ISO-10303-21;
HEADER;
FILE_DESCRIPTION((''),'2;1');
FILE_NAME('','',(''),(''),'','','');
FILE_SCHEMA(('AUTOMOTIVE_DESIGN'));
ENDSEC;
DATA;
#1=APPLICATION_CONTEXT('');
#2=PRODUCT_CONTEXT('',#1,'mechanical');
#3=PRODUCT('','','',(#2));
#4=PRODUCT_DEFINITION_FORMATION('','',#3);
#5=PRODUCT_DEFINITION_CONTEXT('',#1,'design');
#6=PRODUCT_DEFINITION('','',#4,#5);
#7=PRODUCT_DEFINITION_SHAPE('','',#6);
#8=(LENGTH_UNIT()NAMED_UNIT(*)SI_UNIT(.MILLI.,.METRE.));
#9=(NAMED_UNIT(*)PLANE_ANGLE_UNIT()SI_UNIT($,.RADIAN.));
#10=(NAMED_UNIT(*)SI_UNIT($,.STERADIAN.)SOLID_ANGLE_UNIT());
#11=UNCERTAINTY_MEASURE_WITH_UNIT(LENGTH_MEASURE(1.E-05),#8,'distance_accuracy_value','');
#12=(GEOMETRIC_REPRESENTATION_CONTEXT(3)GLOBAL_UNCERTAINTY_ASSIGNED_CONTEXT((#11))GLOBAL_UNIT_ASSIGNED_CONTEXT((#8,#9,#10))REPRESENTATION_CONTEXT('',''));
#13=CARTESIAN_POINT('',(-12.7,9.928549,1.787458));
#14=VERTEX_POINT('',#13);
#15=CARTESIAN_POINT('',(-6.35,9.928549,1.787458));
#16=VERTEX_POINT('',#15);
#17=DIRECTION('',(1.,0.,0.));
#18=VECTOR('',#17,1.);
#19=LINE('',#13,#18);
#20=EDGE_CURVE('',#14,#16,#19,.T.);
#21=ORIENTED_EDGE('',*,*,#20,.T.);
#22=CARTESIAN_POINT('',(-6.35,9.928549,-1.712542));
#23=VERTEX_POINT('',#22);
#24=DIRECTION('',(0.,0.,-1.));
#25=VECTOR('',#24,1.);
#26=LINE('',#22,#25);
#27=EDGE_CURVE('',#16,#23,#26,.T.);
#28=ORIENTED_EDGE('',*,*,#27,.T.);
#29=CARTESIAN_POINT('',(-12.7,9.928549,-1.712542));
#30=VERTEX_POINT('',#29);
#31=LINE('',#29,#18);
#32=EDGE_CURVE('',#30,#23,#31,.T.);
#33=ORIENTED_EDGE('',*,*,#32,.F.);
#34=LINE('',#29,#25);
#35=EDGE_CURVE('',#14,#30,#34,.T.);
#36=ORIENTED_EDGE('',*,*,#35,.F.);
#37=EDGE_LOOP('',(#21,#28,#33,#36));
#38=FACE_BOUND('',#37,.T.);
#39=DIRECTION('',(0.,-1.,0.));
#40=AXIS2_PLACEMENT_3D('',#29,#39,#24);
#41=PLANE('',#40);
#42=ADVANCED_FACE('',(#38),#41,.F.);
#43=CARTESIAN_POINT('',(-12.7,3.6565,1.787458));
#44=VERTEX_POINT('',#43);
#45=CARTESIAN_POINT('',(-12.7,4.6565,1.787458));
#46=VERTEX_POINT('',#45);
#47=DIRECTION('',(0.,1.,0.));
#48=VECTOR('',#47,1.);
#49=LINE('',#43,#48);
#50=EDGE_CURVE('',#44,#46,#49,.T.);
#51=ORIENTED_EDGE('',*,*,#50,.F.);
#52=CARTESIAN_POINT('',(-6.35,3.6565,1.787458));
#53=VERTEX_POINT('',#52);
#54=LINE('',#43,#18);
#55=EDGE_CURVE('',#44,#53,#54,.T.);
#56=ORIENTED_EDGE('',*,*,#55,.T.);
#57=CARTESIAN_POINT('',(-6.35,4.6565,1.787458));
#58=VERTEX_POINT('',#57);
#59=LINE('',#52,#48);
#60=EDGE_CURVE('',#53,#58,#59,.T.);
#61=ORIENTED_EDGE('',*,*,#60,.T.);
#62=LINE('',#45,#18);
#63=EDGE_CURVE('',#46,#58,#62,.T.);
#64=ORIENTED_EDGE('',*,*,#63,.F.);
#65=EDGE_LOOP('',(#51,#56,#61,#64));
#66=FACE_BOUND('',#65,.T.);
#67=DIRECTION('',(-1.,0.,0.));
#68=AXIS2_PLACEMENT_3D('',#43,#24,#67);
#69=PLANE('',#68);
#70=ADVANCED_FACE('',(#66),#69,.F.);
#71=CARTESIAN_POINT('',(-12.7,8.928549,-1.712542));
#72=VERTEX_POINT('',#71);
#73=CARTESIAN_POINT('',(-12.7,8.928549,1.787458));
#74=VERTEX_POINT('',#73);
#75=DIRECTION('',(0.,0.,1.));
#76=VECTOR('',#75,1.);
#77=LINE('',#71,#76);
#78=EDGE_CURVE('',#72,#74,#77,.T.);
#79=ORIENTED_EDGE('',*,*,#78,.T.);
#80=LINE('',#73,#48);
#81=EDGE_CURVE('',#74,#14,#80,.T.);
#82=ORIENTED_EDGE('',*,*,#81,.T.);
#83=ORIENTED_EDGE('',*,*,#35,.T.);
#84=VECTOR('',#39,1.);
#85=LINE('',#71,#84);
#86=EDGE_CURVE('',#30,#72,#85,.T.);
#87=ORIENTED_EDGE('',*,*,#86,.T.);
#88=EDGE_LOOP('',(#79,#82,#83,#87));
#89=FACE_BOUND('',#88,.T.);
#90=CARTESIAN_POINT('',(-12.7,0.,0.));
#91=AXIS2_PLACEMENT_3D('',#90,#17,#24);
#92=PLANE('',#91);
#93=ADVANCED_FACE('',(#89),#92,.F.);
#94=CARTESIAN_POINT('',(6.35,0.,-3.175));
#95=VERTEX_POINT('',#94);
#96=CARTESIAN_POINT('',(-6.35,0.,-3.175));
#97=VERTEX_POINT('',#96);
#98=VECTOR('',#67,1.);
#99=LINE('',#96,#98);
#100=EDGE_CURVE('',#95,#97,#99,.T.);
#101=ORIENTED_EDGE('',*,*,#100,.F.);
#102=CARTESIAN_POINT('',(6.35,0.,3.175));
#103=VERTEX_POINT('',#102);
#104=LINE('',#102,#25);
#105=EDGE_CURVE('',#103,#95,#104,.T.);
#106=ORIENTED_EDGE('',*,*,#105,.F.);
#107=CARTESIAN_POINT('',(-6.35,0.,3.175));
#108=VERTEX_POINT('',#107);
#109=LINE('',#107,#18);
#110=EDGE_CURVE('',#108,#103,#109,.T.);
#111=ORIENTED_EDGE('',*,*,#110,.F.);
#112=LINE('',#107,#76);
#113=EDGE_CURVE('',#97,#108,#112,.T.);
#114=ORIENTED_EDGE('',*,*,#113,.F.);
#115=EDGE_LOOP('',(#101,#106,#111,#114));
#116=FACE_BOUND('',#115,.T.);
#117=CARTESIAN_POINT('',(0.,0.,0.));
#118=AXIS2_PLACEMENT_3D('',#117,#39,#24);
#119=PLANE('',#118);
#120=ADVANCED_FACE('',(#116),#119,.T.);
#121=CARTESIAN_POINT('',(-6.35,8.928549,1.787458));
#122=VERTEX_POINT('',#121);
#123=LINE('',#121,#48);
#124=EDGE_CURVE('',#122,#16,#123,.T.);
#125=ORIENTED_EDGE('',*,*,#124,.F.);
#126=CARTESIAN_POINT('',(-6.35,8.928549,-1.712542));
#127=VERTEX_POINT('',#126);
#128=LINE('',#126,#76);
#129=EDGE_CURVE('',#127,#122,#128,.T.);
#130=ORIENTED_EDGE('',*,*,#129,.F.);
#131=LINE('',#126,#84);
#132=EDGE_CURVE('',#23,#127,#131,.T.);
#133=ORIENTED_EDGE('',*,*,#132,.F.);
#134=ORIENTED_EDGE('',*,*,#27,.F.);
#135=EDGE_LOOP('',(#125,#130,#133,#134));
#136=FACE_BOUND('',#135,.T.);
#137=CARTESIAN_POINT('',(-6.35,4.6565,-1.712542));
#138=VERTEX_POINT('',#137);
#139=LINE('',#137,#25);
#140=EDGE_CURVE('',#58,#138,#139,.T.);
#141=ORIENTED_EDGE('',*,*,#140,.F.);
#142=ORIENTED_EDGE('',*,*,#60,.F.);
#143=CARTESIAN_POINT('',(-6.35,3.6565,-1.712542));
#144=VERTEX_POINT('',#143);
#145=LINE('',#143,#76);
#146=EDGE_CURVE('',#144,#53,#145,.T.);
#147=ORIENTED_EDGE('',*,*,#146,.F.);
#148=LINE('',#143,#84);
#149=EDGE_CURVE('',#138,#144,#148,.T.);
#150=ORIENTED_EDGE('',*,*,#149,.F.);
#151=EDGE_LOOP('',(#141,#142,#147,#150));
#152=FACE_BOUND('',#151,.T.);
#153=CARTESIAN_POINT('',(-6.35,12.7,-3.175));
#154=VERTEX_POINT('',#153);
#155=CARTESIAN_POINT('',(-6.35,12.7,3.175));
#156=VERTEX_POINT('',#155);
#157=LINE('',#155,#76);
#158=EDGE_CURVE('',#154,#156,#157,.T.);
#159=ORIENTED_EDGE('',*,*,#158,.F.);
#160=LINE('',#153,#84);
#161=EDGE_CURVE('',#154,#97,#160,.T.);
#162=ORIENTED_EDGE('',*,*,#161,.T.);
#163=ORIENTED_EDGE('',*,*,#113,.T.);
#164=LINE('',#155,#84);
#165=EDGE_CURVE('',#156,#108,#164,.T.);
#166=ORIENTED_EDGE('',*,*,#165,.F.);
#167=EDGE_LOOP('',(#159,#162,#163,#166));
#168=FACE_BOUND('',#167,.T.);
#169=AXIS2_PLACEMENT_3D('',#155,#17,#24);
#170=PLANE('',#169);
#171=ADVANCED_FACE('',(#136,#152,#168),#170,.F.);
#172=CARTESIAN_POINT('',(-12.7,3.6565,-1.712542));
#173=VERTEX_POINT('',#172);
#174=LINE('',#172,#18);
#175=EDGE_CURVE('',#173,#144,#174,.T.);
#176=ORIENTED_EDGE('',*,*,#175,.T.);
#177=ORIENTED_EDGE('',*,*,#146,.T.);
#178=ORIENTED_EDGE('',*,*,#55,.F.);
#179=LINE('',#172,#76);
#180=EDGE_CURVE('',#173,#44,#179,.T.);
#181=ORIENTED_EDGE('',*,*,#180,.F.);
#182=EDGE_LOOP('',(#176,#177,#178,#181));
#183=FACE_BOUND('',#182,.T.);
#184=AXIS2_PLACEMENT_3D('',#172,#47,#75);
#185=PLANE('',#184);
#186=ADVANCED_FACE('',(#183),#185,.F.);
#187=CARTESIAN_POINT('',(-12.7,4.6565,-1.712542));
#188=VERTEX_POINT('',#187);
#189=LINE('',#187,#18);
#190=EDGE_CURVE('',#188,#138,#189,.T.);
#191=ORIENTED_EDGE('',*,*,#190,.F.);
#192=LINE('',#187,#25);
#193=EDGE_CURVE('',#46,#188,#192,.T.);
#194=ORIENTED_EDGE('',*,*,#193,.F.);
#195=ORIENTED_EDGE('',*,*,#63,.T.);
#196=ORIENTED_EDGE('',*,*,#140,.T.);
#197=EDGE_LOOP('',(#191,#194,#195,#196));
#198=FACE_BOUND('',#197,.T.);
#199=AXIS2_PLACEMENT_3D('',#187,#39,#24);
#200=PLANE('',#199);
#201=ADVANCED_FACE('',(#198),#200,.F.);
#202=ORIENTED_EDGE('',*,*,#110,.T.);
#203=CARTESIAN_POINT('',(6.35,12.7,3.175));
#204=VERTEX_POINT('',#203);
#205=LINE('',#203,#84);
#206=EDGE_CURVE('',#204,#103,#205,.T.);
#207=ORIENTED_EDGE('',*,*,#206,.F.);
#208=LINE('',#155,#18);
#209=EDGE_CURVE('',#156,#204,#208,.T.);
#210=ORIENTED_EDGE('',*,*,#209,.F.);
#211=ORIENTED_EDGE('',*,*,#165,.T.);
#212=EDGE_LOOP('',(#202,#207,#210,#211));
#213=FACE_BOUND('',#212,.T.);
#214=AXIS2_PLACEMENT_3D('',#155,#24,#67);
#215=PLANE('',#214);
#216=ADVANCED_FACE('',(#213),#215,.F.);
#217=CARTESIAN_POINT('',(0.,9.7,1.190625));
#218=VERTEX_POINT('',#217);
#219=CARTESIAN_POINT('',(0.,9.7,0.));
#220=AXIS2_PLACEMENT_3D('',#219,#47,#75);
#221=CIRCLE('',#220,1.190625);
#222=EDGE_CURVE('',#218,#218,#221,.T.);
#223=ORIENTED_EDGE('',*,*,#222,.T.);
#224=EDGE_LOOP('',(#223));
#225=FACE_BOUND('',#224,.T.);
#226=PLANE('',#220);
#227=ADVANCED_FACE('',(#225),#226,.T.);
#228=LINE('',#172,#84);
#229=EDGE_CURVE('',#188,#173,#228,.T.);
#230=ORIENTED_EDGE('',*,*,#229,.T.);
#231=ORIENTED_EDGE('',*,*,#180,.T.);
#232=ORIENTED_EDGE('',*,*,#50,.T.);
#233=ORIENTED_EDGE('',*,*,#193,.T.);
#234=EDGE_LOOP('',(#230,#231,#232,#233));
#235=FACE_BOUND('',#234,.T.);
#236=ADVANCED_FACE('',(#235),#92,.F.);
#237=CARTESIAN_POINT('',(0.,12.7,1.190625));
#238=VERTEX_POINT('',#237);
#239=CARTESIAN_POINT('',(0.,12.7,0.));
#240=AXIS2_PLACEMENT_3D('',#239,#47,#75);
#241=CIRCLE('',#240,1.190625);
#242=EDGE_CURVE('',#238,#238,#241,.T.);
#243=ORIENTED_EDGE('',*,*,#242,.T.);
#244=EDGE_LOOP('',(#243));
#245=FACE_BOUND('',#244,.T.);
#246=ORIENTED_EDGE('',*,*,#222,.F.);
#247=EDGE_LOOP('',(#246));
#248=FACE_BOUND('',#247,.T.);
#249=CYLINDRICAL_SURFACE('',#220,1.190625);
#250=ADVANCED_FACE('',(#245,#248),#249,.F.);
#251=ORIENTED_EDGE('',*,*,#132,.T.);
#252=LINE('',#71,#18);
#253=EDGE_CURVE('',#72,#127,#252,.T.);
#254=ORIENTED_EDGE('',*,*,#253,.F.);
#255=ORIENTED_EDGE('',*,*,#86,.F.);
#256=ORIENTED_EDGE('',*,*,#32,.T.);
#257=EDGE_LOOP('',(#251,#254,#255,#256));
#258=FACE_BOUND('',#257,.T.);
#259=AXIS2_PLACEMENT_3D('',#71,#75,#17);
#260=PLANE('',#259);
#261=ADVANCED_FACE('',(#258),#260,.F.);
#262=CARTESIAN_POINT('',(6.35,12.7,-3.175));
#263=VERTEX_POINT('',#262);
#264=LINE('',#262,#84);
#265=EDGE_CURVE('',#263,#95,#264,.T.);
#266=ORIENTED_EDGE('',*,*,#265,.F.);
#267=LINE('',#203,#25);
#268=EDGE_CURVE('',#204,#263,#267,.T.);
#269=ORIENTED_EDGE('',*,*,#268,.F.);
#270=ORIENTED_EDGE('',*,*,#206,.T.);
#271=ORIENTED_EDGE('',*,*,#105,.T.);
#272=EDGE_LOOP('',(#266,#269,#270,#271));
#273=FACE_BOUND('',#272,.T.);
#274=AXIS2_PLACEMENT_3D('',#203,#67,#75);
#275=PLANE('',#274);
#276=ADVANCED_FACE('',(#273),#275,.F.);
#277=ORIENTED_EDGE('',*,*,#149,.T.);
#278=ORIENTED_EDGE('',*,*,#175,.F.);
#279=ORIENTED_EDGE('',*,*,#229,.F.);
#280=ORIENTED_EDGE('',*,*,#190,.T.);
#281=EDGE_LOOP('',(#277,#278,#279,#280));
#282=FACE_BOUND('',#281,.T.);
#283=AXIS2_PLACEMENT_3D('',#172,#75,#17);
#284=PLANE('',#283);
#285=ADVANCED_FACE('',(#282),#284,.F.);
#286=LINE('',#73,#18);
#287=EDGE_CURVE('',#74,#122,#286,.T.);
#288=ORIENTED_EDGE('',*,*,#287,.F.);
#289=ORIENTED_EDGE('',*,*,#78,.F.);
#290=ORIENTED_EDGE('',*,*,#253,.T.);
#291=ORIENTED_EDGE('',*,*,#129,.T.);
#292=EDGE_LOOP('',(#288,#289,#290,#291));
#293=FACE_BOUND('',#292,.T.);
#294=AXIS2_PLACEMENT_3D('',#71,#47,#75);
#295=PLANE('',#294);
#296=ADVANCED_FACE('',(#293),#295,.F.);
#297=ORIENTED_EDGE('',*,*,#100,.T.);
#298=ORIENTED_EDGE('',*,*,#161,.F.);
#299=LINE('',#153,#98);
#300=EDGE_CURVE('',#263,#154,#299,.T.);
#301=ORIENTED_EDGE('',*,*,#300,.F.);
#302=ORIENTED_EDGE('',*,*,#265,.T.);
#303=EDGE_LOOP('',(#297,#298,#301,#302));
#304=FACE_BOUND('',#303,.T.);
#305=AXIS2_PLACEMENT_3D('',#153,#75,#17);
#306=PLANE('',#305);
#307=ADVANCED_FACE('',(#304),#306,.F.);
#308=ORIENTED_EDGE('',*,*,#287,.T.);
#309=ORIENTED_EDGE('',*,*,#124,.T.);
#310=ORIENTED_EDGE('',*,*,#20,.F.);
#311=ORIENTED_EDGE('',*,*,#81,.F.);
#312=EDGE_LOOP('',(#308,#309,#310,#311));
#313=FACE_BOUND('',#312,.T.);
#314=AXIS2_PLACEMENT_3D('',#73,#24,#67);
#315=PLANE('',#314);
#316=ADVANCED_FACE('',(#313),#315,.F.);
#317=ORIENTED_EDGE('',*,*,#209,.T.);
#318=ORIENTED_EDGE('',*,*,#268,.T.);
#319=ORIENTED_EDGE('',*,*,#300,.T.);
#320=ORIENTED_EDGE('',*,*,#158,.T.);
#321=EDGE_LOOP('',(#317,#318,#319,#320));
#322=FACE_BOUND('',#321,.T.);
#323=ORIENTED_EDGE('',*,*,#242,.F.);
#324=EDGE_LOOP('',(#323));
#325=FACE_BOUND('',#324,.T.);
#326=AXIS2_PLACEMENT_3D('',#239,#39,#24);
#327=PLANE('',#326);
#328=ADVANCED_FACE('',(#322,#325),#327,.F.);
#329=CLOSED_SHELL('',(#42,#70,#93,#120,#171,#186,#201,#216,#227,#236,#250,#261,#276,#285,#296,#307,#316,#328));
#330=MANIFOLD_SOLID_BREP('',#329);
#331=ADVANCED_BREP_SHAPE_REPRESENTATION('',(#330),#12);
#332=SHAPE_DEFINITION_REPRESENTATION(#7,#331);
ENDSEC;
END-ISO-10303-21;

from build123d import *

# Parameters (mm, degrees)
SKETCH1_W           = 12.7
SKETCH1_H           = 6.35
BOSS_EXTRUDE1_DEPTH = 12.7
SKETCH2_R           = 1.190625
CUT_EXTRUDE1_DEPTH  = 3
SKETCH3_W           = 3.5
SKETCH3_H           = 1
BOSS_EXTRUDE2_DEPTH = 6.35


with BuildPart() as part:
    # Sketch1 → Boss-Extrude1 (new body)
    with BuildSketch(Plane(origin=(0, 0, 0), x_dir=(1, 0, 0), z_dir=(0, 1, 0))):
        Rectangle(SKETCH1_W, SKETCH1_H)
    extrude(amount=BOSS_EXTRUDE1_DEPTH)

    # Sketch2 → Cut-Extrude1 (cut)
    with BuildSketch(Plane(origin=(0, 12.7, 0), x_dir=(1, 0, 0), z_dir=(0, 1, 0))):
        Circle(SKETCH2_R)
    extrude(amount=-CUT_EXTRUDE1_DEPTH, mode=Mode.SUBTRACT)

    # Sketch3 → Boss-Extrude2 (add)
    with BuildSketch(Plane.ZY.offset(6.35)):
        with Locations((0.037458048, 4.156500498)):
            Rectangle(SKETCH3_W, SKETCH3_H)
        with Locations((0.037458048, 9.428549286)):
            Rectangle(SKETCH3_W, SKETCH3_H)
    extrude(amount=BOSS_EXTRUDE2_DEPTH)


solid = part.part
